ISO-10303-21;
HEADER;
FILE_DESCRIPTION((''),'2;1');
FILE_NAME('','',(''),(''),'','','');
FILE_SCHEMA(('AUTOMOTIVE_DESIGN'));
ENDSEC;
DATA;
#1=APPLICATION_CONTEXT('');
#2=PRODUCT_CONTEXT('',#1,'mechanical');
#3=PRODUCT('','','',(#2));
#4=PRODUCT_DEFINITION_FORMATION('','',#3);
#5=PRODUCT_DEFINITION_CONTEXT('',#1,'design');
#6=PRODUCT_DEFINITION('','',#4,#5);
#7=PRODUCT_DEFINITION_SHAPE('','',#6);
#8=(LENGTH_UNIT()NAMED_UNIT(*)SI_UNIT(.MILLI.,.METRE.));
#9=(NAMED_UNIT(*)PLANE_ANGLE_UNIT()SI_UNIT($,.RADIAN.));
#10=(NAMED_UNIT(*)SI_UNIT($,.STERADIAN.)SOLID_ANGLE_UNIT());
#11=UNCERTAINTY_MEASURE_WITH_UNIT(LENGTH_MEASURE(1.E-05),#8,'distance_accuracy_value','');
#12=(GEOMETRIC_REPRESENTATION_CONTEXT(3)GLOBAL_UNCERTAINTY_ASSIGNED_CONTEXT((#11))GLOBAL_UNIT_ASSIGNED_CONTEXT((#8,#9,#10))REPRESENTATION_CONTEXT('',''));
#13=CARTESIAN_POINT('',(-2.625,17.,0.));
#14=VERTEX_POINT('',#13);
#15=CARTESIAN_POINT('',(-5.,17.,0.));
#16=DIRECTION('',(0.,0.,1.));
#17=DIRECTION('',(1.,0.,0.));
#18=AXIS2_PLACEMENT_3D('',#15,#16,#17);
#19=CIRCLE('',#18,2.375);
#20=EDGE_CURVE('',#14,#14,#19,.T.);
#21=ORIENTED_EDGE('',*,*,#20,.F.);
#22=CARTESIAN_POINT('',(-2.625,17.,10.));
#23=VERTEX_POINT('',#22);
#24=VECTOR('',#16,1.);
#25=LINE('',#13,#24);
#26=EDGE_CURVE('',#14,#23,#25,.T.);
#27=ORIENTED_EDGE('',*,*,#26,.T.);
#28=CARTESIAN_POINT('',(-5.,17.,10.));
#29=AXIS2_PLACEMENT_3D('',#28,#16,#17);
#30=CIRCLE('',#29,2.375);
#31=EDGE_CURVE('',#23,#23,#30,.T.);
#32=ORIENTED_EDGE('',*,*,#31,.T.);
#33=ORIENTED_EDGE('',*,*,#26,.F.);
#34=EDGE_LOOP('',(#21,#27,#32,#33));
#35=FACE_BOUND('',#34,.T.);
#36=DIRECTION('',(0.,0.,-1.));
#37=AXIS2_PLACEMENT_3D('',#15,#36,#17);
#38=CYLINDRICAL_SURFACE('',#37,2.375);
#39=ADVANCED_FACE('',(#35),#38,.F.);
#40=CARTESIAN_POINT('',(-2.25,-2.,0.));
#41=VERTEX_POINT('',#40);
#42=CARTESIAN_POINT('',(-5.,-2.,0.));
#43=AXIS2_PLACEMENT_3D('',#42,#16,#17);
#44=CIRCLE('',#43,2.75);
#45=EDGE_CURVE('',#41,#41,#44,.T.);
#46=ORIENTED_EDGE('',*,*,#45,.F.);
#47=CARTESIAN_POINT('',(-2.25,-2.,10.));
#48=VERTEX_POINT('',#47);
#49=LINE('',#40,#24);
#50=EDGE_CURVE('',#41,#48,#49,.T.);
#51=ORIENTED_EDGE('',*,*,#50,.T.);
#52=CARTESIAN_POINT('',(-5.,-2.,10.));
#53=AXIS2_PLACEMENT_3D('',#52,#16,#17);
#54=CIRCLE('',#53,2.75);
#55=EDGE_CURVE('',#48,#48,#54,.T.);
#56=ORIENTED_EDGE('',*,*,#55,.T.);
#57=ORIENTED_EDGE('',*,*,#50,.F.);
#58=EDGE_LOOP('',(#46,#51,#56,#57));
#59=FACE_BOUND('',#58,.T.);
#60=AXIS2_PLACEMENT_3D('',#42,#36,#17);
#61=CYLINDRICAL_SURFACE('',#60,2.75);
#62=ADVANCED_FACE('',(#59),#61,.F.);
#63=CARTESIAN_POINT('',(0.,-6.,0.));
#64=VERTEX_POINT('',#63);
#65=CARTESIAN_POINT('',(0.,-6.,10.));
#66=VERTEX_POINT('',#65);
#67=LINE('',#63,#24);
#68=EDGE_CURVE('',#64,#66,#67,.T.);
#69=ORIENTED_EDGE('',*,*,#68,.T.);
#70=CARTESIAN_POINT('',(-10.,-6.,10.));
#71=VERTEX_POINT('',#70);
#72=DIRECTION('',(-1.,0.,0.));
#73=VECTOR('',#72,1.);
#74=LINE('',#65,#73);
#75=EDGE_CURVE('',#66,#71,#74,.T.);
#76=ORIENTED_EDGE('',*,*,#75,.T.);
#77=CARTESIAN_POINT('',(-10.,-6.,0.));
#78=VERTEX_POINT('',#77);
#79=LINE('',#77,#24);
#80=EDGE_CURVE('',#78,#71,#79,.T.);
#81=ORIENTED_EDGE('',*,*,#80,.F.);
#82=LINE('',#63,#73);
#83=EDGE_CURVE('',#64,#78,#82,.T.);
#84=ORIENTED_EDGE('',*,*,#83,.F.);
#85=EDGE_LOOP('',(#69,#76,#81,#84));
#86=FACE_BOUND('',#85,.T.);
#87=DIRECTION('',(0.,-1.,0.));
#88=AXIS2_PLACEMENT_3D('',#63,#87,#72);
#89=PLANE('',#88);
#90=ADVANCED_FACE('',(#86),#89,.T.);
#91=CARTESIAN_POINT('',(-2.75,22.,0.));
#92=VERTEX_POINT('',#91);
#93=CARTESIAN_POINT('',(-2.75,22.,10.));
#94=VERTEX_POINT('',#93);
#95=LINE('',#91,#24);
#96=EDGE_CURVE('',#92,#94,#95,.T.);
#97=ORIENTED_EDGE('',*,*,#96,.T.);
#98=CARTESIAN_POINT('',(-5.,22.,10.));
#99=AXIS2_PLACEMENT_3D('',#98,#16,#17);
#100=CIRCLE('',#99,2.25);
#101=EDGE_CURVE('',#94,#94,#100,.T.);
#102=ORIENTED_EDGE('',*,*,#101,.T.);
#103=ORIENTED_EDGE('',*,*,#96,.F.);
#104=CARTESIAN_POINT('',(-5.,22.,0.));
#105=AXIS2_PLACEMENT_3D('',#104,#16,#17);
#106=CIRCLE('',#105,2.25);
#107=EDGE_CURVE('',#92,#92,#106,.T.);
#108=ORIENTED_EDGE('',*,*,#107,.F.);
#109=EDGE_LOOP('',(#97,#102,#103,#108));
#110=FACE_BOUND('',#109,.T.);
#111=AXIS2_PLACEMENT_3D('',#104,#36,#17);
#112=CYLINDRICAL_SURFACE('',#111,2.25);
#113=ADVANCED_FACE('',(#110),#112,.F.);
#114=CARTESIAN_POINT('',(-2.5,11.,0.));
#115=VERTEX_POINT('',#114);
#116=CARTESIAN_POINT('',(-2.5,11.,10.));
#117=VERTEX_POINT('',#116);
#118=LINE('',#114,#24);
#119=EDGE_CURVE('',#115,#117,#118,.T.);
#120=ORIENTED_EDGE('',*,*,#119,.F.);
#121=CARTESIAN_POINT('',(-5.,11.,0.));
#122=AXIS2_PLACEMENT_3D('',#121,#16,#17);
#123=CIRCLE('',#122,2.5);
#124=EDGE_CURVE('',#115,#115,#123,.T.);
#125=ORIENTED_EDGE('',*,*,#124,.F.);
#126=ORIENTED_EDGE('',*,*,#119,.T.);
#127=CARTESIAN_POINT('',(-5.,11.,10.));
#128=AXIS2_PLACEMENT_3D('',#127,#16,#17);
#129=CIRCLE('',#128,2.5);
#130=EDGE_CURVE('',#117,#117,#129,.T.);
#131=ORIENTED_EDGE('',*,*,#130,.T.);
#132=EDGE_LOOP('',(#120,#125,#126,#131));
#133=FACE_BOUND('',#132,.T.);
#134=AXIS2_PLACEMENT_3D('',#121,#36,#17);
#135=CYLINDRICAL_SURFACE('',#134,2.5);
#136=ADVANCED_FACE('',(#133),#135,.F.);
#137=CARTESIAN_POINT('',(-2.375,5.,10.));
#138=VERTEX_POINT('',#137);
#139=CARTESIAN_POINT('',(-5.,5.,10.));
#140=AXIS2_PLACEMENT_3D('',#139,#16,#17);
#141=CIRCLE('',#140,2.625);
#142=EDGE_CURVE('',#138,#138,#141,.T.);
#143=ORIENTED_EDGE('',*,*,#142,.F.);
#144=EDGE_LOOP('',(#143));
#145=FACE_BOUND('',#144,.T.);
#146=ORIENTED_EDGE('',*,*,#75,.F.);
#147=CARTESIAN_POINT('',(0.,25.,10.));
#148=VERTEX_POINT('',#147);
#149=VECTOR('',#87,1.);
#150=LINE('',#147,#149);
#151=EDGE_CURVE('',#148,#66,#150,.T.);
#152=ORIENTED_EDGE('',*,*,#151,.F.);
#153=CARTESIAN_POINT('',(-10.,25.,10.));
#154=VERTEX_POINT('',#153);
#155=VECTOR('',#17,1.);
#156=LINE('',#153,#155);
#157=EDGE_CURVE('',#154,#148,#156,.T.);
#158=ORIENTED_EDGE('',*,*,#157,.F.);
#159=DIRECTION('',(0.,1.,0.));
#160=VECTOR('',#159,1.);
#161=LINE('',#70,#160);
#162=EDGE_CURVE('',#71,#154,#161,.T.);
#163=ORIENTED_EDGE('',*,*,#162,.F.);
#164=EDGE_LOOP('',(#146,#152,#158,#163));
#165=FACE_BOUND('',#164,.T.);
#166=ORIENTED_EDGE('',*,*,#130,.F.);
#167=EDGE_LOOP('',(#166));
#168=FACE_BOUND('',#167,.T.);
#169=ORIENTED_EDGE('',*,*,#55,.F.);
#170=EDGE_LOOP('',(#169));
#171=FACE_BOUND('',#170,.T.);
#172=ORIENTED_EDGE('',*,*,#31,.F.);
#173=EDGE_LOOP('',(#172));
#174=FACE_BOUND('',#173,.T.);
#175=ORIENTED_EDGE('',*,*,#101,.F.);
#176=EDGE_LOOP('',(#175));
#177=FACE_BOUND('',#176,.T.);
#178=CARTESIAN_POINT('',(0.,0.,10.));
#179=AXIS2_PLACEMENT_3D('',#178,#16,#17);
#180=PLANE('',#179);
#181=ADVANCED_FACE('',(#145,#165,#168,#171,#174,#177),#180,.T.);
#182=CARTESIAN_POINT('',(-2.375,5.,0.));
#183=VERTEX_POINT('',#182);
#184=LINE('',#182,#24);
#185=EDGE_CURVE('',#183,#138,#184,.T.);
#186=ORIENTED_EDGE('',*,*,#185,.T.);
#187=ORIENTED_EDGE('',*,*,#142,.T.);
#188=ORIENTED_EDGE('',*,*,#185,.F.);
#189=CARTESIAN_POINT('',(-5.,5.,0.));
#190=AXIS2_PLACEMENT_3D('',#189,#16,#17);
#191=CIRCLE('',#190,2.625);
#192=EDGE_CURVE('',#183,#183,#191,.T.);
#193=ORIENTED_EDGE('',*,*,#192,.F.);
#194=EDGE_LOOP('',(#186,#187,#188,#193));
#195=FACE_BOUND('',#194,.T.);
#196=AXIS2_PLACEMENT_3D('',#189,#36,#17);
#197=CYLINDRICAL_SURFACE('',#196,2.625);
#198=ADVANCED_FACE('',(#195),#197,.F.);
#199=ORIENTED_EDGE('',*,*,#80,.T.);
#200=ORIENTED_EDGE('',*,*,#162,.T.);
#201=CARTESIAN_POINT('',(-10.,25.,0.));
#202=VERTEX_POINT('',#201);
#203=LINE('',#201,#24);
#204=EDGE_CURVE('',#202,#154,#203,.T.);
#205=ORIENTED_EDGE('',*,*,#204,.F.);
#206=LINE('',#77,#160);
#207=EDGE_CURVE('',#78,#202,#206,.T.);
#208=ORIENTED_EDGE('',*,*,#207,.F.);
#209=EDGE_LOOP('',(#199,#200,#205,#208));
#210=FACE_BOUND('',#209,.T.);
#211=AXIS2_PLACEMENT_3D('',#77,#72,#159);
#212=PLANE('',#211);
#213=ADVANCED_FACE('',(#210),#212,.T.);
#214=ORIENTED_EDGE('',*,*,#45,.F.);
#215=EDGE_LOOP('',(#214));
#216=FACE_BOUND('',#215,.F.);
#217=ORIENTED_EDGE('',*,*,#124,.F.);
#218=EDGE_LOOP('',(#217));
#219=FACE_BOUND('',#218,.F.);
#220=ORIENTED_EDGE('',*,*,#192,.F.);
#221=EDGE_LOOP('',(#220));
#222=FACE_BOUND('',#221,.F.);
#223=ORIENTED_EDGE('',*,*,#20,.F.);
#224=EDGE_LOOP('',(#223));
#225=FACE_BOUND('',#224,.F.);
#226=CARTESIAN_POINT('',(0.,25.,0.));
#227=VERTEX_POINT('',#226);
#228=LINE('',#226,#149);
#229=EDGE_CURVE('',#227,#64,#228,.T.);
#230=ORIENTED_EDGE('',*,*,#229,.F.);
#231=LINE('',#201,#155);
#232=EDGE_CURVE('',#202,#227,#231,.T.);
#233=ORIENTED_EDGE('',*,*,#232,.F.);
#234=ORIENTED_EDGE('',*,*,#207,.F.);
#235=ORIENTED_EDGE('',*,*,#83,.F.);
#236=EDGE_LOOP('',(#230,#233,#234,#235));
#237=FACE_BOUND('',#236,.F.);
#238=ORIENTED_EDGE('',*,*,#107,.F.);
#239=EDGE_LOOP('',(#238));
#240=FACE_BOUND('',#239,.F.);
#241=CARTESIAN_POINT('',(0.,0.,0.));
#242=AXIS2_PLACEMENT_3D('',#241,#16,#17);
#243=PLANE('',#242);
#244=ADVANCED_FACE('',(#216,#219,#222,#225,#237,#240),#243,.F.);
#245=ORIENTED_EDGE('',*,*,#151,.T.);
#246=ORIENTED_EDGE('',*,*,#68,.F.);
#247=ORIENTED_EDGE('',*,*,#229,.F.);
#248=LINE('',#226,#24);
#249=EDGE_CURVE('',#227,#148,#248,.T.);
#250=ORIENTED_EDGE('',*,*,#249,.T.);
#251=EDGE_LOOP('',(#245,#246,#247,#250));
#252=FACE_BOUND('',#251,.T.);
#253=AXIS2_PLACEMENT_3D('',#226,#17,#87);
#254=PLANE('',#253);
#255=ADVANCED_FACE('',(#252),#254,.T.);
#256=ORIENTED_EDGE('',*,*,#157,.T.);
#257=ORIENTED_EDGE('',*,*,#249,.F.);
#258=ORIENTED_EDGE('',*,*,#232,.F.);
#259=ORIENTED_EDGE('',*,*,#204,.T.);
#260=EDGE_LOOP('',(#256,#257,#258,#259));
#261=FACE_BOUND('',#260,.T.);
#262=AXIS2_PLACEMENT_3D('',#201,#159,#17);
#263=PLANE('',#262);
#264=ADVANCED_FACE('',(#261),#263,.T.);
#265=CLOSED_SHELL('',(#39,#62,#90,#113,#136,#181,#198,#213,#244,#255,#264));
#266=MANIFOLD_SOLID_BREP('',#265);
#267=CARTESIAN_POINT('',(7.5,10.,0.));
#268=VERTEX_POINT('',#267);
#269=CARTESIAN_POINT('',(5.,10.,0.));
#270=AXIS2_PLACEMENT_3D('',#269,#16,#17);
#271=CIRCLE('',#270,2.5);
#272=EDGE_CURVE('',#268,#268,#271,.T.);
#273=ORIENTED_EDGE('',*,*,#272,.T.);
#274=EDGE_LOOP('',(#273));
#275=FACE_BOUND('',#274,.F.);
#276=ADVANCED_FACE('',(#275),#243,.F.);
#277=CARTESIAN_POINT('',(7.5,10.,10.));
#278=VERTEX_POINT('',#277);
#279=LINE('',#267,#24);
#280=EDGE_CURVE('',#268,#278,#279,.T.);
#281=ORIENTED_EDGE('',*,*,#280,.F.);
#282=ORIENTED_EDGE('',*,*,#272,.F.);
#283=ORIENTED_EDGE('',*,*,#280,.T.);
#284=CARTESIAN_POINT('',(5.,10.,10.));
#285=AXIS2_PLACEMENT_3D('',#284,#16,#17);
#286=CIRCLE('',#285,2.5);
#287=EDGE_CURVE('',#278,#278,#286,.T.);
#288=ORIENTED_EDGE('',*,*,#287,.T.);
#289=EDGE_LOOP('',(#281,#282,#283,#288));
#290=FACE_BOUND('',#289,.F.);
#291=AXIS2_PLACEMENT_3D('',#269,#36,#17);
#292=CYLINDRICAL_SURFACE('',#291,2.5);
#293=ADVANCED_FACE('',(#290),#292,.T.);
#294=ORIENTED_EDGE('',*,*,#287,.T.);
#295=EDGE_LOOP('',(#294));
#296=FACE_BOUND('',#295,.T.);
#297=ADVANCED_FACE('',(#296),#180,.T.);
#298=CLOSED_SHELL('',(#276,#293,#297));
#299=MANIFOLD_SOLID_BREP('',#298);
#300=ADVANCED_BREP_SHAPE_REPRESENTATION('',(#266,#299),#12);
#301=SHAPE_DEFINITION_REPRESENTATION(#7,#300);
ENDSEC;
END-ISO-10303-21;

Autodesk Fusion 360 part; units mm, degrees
sketch "Sketch1" plane through (0, 0, 0) normal (0, 0, 1) x (1, 0, 0)
  circle A0 centre (-5, 22) radius 2.25
  circle A1 centre (-5, 17) radius 2.375
  circle A2 centre (-5, 11) radius 2.5
  circle A3 centre (-5, 5) radius 2.625
  circle A4 centre (-5, -2) radius 2.75
  line L0 (-10, 25) -> (0, 25)
  line L1 (0, 25) -> (0, -6)
  line L2 (0, -6) -> (-10, -6)
  line L3 (-10, -6) -> (-10, 25)
  dimension "d1" = 4.5
  dimension "d2" = 4.75
  dimension "d3" = 5
  dimension "d4" = 5.25
  dimension "d5" = 5.5
extrude "Extrude1" add sketch "Sketch1" along normal blind 10 makes body 1
sketch "Sketch2" plane through (0, 0, 0) normal (0, 0, 1) x (1, 0, 0)
  circle A0 centre (5, 10) radius 2.5
  dimension "d8" = 5
extrude "Extrude2" add sketch "Sketch2" along normal blind 10 separate body makes body 2
